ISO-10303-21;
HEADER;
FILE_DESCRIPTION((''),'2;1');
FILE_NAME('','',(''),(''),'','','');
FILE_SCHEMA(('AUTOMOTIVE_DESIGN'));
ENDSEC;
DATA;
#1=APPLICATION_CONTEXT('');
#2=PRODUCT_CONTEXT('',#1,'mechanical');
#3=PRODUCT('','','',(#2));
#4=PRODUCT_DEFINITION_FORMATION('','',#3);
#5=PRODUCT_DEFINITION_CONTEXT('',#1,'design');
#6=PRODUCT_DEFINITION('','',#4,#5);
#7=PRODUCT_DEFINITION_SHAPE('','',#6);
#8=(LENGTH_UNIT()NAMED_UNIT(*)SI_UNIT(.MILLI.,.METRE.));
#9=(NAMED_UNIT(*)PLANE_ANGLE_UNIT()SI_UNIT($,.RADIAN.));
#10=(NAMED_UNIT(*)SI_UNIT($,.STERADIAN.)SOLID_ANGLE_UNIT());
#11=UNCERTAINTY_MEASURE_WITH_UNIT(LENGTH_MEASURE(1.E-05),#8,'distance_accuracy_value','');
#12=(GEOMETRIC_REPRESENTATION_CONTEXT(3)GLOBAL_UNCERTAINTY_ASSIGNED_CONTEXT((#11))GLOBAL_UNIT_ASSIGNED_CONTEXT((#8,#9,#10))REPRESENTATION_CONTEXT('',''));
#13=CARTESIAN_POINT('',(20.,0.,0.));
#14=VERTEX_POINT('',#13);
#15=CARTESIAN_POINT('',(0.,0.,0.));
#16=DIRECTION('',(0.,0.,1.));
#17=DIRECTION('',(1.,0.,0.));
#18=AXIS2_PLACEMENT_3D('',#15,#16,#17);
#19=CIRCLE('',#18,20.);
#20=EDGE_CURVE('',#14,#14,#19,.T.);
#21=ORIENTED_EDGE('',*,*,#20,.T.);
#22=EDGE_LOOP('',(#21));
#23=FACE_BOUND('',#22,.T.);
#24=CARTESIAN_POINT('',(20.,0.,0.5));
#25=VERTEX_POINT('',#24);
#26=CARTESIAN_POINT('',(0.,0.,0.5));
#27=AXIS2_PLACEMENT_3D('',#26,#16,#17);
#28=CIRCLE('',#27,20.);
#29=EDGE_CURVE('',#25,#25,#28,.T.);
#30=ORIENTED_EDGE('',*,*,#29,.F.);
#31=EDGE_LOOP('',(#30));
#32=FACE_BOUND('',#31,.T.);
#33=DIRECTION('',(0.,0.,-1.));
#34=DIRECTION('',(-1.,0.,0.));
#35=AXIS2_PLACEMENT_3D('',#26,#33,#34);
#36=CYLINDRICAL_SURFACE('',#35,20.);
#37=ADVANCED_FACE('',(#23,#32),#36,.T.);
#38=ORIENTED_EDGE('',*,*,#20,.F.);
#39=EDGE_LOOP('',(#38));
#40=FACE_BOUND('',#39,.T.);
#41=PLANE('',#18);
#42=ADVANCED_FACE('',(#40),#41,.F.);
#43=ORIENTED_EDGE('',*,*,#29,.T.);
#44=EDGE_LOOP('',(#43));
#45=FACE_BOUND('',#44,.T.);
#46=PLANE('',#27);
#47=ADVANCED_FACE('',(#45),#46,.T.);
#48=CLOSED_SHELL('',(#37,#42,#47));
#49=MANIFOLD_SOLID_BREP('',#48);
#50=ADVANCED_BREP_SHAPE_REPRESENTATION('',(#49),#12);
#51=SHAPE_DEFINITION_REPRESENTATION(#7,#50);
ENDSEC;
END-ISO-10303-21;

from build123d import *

# Parameters (mm, degrees)
CROQUIS1_R              = 20
SALIENTE_EXTRUIR1_DEPTH = 0.5


with BuildPart() as part:
    # Croquis1 → Saliente-Extruir1 (new body)
    with BuildSketch(Plane.XY):
        Circle(CROQUIS1_R)
    extrude(amount=SALIENTE_EXTRUIR1_DEPTH)


solid = part.part
